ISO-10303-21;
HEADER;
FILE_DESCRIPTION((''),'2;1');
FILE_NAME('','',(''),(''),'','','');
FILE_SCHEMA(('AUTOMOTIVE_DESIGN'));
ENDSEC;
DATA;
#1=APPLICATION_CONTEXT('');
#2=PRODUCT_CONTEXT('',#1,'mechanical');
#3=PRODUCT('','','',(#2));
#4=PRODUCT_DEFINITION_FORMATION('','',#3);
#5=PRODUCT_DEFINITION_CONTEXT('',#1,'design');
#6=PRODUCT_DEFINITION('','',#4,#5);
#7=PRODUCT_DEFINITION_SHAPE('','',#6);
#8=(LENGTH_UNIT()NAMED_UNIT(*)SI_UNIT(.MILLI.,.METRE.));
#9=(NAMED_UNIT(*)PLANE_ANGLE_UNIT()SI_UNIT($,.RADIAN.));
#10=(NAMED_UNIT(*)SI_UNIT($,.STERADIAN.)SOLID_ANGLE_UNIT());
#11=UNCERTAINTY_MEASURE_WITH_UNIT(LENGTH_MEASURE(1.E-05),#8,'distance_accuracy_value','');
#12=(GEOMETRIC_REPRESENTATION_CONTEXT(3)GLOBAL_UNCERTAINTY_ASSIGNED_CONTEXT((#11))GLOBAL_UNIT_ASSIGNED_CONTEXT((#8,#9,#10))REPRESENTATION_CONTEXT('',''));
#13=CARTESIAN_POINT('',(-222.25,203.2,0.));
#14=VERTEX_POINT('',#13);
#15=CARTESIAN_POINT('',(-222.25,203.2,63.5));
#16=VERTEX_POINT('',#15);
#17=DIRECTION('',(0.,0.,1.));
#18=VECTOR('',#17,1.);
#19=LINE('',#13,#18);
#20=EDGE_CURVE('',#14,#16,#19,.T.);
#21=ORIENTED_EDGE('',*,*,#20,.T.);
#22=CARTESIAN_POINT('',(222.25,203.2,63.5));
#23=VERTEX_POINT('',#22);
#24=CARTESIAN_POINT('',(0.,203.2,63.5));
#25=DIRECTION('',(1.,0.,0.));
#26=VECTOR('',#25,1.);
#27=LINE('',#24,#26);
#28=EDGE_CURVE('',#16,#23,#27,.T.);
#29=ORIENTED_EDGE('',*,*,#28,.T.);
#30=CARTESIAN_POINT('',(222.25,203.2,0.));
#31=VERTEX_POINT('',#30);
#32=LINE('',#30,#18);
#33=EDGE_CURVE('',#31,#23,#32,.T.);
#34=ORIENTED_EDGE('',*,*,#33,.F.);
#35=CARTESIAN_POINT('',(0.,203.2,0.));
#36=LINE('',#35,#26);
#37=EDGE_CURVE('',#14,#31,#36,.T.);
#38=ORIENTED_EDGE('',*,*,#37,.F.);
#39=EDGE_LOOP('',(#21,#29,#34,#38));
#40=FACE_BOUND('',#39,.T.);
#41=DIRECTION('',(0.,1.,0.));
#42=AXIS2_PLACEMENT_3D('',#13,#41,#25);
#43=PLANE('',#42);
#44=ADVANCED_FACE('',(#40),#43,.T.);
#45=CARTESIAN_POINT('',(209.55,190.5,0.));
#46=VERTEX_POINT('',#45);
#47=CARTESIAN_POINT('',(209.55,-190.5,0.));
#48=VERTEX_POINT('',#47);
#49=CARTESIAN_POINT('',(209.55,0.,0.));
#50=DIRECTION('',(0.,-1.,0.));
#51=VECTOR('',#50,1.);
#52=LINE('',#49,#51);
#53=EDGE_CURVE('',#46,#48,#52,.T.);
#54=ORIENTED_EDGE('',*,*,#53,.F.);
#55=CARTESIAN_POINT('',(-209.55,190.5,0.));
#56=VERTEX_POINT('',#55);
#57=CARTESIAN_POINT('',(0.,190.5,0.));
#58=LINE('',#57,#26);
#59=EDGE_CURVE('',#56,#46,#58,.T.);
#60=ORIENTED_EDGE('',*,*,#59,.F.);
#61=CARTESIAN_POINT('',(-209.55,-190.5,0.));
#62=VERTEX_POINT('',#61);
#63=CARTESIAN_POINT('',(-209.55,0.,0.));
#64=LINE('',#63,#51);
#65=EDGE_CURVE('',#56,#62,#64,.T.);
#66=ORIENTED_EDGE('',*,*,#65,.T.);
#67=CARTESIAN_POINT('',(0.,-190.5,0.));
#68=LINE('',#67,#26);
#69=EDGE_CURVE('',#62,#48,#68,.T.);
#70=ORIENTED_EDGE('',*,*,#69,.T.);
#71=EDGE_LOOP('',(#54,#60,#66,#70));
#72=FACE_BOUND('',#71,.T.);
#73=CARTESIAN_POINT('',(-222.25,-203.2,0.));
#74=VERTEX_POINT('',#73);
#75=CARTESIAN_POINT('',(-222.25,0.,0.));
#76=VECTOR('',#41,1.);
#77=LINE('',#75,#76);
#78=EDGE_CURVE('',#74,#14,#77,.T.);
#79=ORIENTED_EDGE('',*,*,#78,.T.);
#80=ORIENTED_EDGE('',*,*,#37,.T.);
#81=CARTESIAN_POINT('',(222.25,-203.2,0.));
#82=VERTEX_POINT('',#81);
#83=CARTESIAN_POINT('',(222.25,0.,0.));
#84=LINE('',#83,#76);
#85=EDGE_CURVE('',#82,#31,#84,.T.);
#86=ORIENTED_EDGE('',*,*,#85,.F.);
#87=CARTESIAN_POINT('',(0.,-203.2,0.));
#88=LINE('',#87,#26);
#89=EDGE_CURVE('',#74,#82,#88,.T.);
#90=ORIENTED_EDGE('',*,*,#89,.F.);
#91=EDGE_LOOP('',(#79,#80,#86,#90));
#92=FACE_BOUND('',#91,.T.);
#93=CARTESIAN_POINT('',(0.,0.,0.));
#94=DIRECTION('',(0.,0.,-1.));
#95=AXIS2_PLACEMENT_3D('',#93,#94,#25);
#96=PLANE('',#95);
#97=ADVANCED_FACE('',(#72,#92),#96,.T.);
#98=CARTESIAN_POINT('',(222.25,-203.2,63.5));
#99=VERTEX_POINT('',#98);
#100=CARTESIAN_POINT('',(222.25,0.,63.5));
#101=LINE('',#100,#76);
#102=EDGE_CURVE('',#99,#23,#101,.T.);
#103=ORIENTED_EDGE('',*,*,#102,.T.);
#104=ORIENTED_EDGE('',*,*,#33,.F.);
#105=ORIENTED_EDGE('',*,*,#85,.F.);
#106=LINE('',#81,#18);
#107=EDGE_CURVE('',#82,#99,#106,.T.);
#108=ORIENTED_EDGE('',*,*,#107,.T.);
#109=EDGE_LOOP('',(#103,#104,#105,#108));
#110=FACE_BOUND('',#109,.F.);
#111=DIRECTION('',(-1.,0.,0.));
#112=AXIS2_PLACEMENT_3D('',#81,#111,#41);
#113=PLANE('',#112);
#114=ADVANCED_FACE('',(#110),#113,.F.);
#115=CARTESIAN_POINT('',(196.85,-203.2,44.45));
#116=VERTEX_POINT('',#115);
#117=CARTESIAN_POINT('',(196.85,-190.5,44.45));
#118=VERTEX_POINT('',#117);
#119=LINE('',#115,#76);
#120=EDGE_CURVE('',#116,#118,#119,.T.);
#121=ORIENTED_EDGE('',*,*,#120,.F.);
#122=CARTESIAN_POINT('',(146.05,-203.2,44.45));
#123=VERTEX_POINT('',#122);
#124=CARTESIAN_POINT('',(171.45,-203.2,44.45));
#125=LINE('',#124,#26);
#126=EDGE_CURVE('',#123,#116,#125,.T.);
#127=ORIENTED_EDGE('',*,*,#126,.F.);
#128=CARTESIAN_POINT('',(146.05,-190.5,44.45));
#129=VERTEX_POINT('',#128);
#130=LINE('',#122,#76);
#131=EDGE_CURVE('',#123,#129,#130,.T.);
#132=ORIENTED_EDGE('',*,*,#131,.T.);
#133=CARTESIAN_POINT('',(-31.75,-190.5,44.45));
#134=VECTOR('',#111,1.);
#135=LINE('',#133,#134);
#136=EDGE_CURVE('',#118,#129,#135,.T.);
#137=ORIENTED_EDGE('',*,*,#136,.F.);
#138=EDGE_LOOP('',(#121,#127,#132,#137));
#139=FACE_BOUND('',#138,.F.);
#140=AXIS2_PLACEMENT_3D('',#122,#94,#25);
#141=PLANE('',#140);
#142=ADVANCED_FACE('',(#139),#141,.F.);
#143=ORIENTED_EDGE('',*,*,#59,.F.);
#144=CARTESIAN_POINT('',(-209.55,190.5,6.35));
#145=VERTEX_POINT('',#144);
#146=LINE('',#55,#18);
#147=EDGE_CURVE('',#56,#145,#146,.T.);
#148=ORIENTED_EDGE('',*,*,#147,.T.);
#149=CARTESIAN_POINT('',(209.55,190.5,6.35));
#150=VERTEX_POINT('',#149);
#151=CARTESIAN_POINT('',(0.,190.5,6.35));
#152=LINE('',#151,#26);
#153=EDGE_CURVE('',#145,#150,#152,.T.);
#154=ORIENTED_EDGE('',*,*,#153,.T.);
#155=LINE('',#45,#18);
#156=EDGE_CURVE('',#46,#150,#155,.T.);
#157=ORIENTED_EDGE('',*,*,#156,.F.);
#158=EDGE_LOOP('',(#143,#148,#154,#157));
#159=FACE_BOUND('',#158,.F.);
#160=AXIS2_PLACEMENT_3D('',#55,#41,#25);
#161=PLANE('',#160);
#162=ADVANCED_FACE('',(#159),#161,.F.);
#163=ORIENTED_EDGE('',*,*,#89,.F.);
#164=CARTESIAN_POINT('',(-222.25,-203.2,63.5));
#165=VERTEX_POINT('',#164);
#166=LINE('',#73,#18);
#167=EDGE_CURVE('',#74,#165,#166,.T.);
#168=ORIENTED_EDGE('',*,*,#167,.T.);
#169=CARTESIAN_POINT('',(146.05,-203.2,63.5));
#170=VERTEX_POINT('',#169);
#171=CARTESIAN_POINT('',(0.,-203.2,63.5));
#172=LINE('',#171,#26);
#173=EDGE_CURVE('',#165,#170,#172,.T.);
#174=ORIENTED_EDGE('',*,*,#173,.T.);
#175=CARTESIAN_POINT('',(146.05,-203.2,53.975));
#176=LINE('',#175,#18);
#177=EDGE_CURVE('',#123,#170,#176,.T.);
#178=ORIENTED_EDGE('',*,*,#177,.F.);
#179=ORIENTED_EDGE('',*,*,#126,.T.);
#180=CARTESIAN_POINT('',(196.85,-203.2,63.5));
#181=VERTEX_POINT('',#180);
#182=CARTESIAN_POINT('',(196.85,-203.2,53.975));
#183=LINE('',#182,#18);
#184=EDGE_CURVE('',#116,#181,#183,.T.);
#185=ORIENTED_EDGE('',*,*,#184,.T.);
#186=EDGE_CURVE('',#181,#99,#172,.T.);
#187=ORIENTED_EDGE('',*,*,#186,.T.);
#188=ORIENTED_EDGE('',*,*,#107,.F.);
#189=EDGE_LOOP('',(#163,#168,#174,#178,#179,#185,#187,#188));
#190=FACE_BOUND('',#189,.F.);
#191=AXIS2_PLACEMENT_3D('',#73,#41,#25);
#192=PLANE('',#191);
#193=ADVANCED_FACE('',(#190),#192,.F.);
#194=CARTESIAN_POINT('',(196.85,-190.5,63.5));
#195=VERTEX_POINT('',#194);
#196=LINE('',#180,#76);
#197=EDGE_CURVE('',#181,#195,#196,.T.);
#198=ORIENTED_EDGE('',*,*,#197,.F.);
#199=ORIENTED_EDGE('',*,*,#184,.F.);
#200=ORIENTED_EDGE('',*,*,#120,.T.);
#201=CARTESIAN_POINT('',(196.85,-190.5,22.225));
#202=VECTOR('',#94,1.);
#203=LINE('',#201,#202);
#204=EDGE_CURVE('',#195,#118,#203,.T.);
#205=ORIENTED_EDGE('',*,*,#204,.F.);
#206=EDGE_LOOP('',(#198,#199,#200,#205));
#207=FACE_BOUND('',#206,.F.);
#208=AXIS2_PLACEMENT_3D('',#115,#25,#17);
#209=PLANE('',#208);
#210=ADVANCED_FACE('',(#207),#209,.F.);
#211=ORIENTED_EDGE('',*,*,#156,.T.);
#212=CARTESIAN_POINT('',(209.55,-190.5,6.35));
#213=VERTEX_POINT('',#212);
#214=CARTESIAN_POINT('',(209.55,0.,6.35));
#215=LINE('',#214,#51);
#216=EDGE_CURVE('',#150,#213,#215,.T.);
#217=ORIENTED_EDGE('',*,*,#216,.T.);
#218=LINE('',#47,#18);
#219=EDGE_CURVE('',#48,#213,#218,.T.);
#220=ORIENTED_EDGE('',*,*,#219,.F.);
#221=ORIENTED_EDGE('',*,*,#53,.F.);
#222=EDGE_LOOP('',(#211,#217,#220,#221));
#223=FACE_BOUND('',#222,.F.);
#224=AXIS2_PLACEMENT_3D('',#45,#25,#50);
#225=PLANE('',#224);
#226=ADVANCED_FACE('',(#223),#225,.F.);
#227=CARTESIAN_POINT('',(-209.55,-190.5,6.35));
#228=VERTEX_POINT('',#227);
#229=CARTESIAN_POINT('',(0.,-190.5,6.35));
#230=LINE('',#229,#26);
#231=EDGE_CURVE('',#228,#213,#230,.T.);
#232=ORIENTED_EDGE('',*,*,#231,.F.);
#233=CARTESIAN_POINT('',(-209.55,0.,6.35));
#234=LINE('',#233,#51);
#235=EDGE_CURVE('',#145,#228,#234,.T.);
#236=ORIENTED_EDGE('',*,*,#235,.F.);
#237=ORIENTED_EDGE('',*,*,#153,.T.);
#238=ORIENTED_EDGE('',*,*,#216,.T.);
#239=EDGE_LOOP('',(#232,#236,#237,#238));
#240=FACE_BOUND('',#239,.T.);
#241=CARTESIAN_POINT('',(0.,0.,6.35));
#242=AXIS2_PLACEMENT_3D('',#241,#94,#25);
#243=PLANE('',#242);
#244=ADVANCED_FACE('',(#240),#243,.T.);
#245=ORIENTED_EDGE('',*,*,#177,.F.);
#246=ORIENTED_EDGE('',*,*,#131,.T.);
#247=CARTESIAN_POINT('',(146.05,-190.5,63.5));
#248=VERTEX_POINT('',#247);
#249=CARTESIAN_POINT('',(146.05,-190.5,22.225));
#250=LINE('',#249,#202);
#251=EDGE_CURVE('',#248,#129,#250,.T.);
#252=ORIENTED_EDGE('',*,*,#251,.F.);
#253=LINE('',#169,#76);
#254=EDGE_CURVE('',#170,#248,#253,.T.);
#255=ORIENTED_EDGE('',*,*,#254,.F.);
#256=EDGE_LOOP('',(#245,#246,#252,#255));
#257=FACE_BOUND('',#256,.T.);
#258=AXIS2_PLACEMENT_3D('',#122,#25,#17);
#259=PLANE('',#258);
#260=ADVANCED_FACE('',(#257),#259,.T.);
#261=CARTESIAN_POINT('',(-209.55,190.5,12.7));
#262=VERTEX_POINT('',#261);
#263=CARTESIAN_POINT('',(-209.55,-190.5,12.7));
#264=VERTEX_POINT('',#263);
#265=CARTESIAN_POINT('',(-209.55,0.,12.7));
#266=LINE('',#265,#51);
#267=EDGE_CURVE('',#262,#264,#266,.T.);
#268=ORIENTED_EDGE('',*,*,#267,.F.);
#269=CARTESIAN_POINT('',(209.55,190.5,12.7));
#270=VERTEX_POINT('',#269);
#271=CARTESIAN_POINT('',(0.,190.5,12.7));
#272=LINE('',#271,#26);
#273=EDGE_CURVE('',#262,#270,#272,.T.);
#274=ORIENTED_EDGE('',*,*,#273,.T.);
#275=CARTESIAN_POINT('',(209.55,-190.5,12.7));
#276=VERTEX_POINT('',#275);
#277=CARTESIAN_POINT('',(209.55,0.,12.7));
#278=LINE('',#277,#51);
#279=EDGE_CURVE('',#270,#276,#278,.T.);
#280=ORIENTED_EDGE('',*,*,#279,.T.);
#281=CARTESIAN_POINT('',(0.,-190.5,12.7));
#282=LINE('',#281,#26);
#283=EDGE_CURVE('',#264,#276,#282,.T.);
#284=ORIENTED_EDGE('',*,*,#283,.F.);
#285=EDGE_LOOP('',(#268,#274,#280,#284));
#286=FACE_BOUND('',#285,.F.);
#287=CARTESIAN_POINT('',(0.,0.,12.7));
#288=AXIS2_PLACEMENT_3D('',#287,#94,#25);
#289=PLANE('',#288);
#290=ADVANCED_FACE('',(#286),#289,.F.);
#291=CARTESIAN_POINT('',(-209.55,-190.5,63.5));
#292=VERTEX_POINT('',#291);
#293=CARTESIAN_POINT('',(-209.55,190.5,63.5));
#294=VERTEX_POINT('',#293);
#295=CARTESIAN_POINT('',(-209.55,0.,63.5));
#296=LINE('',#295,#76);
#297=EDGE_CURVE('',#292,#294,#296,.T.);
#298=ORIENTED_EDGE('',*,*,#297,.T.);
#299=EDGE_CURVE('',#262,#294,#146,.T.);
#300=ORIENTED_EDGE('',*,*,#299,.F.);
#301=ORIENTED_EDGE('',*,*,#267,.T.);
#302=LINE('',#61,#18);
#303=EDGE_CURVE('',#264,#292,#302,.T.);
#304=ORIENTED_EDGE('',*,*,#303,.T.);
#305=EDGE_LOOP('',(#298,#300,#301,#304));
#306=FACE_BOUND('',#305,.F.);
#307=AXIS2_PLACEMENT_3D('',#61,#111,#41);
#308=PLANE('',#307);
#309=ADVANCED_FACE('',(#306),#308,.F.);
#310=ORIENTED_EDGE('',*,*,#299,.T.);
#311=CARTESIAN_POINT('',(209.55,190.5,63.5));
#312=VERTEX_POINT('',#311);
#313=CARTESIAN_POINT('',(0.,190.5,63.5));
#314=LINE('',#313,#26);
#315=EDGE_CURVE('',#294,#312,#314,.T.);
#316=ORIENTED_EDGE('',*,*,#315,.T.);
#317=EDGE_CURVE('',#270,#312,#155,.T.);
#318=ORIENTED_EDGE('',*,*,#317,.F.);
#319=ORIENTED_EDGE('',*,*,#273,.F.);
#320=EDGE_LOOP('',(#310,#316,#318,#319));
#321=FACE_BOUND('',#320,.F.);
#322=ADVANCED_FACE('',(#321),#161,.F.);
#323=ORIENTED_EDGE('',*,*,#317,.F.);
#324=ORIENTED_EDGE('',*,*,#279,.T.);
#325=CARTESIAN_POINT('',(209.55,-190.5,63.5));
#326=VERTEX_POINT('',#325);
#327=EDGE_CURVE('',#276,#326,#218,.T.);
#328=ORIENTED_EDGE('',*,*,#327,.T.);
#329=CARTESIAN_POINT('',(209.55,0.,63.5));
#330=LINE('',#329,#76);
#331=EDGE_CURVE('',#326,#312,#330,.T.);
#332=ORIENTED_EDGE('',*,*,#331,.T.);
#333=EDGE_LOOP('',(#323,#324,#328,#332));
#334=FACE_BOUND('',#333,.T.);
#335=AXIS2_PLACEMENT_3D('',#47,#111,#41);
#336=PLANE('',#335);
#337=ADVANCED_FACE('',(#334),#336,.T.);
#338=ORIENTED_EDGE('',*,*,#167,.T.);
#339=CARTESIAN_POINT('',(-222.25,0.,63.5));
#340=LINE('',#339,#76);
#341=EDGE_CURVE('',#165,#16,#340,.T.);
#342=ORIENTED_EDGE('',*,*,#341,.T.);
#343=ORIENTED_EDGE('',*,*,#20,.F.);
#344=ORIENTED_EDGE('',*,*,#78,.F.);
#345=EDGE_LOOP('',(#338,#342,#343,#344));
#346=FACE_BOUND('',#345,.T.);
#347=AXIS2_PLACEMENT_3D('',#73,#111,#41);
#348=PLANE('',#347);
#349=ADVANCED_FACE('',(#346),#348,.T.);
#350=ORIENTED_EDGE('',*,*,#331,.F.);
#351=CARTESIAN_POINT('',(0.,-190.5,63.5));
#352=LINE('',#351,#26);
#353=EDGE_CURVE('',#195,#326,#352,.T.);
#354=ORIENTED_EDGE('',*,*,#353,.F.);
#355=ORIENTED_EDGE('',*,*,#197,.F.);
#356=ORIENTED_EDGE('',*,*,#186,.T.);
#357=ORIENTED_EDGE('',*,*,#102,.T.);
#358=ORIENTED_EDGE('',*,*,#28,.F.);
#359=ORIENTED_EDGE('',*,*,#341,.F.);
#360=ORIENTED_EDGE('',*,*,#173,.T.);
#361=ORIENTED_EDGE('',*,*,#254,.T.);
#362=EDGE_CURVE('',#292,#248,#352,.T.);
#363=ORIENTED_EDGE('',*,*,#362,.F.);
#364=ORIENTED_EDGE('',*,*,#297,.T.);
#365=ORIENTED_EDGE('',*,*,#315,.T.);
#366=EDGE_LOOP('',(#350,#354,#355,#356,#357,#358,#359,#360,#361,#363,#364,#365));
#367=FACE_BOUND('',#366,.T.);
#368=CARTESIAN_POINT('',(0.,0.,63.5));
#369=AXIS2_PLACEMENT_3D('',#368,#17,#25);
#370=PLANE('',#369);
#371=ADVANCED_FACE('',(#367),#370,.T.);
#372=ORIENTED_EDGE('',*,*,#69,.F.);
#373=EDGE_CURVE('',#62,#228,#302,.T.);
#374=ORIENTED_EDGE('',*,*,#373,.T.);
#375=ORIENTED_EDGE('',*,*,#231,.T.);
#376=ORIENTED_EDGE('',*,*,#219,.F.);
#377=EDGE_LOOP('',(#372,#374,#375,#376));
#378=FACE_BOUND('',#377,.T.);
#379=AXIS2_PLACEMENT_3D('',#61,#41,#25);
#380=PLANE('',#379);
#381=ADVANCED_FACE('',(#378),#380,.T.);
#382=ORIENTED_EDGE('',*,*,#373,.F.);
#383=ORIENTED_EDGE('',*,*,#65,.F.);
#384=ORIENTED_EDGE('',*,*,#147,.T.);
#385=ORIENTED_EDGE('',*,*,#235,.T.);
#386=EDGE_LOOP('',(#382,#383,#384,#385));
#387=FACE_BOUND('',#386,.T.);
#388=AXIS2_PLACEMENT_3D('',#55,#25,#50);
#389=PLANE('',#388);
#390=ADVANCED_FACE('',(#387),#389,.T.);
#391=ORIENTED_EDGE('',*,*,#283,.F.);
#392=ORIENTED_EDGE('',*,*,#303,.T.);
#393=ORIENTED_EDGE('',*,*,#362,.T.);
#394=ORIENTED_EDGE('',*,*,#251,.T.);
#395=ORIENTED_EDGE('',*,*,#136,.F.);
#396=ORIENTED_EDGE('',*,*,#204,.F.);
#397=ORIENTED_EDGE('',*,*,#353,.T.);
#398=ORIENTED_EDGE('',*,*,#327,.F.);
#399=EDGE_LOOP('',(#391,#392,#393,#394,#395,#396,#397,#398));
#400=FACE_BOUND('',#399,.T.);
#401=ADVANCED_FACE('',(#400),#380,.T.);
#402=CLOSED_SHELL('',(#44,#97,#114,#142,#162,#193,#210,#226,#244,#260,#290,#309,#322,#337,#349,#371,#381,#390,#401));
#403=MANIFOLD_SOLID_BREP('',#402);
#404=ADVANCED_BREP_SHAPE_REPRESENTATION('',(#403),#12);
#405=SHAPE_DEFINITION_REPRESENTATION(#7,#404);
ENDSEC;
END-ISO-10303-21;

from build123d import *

# Parameters (mm, degrees)
F0_W     = 444.5
F0_H     = 406.4
F0_W_2   = 419.1
F0_H_2   = 381
F1_DEPTH = 63.5
F2_W     = 419.1
F2_H     = 381
F3_DEPTH = 12.7
F4_W     = 419.1
F4_H     = 381
F5_DEPTH = 6.35
F6_W     = 50.8
F6_H     = 19.05
F7_DEPTH = 25.4


with BuildPart() as f1:
    # F0 (on Top) → F1 (new body)
    with BuildSketch(Plane.XY):
        Rectangle(F0_W, F0_H)
        Rectangle(F0_W_2, F0_H_2, mode=Mode.SUBTRACT)
    extrude(amount=F1_DEPTH)

    # F2 (on face) → F3 (join)
    with BuildSketch(Plane(origin=(0, 0, 0), x_dir=(1, 0, 0), z_dir=(0, 0, -1))):
        Rectangle(F2_W, F2_H)
    extrude(amount=-F3_DEPTH)

    # F4 (on face) → F5 (cut)
    with BuildSketch(Plane(origin=(0, 0, 0), x_dir=(1, 0, 0), z_dir=(0, 0, -1))):
        Rectangle(F4_W, F4_H)
    extrude(amount=-F5_DEPTH, mode=Mode.SUBTRACT)

    # F6 (on face) → F7 (cut)
    with BuildSketch(Plane.XZ.offset(203.2)):
        with Locations((171.45, 53.975)):
            Rectangle(F6_W, F6_H)
    extrude(amount=-F7_DEPTH, mode=Mode.SUBTRACT)


solid = f1.part
